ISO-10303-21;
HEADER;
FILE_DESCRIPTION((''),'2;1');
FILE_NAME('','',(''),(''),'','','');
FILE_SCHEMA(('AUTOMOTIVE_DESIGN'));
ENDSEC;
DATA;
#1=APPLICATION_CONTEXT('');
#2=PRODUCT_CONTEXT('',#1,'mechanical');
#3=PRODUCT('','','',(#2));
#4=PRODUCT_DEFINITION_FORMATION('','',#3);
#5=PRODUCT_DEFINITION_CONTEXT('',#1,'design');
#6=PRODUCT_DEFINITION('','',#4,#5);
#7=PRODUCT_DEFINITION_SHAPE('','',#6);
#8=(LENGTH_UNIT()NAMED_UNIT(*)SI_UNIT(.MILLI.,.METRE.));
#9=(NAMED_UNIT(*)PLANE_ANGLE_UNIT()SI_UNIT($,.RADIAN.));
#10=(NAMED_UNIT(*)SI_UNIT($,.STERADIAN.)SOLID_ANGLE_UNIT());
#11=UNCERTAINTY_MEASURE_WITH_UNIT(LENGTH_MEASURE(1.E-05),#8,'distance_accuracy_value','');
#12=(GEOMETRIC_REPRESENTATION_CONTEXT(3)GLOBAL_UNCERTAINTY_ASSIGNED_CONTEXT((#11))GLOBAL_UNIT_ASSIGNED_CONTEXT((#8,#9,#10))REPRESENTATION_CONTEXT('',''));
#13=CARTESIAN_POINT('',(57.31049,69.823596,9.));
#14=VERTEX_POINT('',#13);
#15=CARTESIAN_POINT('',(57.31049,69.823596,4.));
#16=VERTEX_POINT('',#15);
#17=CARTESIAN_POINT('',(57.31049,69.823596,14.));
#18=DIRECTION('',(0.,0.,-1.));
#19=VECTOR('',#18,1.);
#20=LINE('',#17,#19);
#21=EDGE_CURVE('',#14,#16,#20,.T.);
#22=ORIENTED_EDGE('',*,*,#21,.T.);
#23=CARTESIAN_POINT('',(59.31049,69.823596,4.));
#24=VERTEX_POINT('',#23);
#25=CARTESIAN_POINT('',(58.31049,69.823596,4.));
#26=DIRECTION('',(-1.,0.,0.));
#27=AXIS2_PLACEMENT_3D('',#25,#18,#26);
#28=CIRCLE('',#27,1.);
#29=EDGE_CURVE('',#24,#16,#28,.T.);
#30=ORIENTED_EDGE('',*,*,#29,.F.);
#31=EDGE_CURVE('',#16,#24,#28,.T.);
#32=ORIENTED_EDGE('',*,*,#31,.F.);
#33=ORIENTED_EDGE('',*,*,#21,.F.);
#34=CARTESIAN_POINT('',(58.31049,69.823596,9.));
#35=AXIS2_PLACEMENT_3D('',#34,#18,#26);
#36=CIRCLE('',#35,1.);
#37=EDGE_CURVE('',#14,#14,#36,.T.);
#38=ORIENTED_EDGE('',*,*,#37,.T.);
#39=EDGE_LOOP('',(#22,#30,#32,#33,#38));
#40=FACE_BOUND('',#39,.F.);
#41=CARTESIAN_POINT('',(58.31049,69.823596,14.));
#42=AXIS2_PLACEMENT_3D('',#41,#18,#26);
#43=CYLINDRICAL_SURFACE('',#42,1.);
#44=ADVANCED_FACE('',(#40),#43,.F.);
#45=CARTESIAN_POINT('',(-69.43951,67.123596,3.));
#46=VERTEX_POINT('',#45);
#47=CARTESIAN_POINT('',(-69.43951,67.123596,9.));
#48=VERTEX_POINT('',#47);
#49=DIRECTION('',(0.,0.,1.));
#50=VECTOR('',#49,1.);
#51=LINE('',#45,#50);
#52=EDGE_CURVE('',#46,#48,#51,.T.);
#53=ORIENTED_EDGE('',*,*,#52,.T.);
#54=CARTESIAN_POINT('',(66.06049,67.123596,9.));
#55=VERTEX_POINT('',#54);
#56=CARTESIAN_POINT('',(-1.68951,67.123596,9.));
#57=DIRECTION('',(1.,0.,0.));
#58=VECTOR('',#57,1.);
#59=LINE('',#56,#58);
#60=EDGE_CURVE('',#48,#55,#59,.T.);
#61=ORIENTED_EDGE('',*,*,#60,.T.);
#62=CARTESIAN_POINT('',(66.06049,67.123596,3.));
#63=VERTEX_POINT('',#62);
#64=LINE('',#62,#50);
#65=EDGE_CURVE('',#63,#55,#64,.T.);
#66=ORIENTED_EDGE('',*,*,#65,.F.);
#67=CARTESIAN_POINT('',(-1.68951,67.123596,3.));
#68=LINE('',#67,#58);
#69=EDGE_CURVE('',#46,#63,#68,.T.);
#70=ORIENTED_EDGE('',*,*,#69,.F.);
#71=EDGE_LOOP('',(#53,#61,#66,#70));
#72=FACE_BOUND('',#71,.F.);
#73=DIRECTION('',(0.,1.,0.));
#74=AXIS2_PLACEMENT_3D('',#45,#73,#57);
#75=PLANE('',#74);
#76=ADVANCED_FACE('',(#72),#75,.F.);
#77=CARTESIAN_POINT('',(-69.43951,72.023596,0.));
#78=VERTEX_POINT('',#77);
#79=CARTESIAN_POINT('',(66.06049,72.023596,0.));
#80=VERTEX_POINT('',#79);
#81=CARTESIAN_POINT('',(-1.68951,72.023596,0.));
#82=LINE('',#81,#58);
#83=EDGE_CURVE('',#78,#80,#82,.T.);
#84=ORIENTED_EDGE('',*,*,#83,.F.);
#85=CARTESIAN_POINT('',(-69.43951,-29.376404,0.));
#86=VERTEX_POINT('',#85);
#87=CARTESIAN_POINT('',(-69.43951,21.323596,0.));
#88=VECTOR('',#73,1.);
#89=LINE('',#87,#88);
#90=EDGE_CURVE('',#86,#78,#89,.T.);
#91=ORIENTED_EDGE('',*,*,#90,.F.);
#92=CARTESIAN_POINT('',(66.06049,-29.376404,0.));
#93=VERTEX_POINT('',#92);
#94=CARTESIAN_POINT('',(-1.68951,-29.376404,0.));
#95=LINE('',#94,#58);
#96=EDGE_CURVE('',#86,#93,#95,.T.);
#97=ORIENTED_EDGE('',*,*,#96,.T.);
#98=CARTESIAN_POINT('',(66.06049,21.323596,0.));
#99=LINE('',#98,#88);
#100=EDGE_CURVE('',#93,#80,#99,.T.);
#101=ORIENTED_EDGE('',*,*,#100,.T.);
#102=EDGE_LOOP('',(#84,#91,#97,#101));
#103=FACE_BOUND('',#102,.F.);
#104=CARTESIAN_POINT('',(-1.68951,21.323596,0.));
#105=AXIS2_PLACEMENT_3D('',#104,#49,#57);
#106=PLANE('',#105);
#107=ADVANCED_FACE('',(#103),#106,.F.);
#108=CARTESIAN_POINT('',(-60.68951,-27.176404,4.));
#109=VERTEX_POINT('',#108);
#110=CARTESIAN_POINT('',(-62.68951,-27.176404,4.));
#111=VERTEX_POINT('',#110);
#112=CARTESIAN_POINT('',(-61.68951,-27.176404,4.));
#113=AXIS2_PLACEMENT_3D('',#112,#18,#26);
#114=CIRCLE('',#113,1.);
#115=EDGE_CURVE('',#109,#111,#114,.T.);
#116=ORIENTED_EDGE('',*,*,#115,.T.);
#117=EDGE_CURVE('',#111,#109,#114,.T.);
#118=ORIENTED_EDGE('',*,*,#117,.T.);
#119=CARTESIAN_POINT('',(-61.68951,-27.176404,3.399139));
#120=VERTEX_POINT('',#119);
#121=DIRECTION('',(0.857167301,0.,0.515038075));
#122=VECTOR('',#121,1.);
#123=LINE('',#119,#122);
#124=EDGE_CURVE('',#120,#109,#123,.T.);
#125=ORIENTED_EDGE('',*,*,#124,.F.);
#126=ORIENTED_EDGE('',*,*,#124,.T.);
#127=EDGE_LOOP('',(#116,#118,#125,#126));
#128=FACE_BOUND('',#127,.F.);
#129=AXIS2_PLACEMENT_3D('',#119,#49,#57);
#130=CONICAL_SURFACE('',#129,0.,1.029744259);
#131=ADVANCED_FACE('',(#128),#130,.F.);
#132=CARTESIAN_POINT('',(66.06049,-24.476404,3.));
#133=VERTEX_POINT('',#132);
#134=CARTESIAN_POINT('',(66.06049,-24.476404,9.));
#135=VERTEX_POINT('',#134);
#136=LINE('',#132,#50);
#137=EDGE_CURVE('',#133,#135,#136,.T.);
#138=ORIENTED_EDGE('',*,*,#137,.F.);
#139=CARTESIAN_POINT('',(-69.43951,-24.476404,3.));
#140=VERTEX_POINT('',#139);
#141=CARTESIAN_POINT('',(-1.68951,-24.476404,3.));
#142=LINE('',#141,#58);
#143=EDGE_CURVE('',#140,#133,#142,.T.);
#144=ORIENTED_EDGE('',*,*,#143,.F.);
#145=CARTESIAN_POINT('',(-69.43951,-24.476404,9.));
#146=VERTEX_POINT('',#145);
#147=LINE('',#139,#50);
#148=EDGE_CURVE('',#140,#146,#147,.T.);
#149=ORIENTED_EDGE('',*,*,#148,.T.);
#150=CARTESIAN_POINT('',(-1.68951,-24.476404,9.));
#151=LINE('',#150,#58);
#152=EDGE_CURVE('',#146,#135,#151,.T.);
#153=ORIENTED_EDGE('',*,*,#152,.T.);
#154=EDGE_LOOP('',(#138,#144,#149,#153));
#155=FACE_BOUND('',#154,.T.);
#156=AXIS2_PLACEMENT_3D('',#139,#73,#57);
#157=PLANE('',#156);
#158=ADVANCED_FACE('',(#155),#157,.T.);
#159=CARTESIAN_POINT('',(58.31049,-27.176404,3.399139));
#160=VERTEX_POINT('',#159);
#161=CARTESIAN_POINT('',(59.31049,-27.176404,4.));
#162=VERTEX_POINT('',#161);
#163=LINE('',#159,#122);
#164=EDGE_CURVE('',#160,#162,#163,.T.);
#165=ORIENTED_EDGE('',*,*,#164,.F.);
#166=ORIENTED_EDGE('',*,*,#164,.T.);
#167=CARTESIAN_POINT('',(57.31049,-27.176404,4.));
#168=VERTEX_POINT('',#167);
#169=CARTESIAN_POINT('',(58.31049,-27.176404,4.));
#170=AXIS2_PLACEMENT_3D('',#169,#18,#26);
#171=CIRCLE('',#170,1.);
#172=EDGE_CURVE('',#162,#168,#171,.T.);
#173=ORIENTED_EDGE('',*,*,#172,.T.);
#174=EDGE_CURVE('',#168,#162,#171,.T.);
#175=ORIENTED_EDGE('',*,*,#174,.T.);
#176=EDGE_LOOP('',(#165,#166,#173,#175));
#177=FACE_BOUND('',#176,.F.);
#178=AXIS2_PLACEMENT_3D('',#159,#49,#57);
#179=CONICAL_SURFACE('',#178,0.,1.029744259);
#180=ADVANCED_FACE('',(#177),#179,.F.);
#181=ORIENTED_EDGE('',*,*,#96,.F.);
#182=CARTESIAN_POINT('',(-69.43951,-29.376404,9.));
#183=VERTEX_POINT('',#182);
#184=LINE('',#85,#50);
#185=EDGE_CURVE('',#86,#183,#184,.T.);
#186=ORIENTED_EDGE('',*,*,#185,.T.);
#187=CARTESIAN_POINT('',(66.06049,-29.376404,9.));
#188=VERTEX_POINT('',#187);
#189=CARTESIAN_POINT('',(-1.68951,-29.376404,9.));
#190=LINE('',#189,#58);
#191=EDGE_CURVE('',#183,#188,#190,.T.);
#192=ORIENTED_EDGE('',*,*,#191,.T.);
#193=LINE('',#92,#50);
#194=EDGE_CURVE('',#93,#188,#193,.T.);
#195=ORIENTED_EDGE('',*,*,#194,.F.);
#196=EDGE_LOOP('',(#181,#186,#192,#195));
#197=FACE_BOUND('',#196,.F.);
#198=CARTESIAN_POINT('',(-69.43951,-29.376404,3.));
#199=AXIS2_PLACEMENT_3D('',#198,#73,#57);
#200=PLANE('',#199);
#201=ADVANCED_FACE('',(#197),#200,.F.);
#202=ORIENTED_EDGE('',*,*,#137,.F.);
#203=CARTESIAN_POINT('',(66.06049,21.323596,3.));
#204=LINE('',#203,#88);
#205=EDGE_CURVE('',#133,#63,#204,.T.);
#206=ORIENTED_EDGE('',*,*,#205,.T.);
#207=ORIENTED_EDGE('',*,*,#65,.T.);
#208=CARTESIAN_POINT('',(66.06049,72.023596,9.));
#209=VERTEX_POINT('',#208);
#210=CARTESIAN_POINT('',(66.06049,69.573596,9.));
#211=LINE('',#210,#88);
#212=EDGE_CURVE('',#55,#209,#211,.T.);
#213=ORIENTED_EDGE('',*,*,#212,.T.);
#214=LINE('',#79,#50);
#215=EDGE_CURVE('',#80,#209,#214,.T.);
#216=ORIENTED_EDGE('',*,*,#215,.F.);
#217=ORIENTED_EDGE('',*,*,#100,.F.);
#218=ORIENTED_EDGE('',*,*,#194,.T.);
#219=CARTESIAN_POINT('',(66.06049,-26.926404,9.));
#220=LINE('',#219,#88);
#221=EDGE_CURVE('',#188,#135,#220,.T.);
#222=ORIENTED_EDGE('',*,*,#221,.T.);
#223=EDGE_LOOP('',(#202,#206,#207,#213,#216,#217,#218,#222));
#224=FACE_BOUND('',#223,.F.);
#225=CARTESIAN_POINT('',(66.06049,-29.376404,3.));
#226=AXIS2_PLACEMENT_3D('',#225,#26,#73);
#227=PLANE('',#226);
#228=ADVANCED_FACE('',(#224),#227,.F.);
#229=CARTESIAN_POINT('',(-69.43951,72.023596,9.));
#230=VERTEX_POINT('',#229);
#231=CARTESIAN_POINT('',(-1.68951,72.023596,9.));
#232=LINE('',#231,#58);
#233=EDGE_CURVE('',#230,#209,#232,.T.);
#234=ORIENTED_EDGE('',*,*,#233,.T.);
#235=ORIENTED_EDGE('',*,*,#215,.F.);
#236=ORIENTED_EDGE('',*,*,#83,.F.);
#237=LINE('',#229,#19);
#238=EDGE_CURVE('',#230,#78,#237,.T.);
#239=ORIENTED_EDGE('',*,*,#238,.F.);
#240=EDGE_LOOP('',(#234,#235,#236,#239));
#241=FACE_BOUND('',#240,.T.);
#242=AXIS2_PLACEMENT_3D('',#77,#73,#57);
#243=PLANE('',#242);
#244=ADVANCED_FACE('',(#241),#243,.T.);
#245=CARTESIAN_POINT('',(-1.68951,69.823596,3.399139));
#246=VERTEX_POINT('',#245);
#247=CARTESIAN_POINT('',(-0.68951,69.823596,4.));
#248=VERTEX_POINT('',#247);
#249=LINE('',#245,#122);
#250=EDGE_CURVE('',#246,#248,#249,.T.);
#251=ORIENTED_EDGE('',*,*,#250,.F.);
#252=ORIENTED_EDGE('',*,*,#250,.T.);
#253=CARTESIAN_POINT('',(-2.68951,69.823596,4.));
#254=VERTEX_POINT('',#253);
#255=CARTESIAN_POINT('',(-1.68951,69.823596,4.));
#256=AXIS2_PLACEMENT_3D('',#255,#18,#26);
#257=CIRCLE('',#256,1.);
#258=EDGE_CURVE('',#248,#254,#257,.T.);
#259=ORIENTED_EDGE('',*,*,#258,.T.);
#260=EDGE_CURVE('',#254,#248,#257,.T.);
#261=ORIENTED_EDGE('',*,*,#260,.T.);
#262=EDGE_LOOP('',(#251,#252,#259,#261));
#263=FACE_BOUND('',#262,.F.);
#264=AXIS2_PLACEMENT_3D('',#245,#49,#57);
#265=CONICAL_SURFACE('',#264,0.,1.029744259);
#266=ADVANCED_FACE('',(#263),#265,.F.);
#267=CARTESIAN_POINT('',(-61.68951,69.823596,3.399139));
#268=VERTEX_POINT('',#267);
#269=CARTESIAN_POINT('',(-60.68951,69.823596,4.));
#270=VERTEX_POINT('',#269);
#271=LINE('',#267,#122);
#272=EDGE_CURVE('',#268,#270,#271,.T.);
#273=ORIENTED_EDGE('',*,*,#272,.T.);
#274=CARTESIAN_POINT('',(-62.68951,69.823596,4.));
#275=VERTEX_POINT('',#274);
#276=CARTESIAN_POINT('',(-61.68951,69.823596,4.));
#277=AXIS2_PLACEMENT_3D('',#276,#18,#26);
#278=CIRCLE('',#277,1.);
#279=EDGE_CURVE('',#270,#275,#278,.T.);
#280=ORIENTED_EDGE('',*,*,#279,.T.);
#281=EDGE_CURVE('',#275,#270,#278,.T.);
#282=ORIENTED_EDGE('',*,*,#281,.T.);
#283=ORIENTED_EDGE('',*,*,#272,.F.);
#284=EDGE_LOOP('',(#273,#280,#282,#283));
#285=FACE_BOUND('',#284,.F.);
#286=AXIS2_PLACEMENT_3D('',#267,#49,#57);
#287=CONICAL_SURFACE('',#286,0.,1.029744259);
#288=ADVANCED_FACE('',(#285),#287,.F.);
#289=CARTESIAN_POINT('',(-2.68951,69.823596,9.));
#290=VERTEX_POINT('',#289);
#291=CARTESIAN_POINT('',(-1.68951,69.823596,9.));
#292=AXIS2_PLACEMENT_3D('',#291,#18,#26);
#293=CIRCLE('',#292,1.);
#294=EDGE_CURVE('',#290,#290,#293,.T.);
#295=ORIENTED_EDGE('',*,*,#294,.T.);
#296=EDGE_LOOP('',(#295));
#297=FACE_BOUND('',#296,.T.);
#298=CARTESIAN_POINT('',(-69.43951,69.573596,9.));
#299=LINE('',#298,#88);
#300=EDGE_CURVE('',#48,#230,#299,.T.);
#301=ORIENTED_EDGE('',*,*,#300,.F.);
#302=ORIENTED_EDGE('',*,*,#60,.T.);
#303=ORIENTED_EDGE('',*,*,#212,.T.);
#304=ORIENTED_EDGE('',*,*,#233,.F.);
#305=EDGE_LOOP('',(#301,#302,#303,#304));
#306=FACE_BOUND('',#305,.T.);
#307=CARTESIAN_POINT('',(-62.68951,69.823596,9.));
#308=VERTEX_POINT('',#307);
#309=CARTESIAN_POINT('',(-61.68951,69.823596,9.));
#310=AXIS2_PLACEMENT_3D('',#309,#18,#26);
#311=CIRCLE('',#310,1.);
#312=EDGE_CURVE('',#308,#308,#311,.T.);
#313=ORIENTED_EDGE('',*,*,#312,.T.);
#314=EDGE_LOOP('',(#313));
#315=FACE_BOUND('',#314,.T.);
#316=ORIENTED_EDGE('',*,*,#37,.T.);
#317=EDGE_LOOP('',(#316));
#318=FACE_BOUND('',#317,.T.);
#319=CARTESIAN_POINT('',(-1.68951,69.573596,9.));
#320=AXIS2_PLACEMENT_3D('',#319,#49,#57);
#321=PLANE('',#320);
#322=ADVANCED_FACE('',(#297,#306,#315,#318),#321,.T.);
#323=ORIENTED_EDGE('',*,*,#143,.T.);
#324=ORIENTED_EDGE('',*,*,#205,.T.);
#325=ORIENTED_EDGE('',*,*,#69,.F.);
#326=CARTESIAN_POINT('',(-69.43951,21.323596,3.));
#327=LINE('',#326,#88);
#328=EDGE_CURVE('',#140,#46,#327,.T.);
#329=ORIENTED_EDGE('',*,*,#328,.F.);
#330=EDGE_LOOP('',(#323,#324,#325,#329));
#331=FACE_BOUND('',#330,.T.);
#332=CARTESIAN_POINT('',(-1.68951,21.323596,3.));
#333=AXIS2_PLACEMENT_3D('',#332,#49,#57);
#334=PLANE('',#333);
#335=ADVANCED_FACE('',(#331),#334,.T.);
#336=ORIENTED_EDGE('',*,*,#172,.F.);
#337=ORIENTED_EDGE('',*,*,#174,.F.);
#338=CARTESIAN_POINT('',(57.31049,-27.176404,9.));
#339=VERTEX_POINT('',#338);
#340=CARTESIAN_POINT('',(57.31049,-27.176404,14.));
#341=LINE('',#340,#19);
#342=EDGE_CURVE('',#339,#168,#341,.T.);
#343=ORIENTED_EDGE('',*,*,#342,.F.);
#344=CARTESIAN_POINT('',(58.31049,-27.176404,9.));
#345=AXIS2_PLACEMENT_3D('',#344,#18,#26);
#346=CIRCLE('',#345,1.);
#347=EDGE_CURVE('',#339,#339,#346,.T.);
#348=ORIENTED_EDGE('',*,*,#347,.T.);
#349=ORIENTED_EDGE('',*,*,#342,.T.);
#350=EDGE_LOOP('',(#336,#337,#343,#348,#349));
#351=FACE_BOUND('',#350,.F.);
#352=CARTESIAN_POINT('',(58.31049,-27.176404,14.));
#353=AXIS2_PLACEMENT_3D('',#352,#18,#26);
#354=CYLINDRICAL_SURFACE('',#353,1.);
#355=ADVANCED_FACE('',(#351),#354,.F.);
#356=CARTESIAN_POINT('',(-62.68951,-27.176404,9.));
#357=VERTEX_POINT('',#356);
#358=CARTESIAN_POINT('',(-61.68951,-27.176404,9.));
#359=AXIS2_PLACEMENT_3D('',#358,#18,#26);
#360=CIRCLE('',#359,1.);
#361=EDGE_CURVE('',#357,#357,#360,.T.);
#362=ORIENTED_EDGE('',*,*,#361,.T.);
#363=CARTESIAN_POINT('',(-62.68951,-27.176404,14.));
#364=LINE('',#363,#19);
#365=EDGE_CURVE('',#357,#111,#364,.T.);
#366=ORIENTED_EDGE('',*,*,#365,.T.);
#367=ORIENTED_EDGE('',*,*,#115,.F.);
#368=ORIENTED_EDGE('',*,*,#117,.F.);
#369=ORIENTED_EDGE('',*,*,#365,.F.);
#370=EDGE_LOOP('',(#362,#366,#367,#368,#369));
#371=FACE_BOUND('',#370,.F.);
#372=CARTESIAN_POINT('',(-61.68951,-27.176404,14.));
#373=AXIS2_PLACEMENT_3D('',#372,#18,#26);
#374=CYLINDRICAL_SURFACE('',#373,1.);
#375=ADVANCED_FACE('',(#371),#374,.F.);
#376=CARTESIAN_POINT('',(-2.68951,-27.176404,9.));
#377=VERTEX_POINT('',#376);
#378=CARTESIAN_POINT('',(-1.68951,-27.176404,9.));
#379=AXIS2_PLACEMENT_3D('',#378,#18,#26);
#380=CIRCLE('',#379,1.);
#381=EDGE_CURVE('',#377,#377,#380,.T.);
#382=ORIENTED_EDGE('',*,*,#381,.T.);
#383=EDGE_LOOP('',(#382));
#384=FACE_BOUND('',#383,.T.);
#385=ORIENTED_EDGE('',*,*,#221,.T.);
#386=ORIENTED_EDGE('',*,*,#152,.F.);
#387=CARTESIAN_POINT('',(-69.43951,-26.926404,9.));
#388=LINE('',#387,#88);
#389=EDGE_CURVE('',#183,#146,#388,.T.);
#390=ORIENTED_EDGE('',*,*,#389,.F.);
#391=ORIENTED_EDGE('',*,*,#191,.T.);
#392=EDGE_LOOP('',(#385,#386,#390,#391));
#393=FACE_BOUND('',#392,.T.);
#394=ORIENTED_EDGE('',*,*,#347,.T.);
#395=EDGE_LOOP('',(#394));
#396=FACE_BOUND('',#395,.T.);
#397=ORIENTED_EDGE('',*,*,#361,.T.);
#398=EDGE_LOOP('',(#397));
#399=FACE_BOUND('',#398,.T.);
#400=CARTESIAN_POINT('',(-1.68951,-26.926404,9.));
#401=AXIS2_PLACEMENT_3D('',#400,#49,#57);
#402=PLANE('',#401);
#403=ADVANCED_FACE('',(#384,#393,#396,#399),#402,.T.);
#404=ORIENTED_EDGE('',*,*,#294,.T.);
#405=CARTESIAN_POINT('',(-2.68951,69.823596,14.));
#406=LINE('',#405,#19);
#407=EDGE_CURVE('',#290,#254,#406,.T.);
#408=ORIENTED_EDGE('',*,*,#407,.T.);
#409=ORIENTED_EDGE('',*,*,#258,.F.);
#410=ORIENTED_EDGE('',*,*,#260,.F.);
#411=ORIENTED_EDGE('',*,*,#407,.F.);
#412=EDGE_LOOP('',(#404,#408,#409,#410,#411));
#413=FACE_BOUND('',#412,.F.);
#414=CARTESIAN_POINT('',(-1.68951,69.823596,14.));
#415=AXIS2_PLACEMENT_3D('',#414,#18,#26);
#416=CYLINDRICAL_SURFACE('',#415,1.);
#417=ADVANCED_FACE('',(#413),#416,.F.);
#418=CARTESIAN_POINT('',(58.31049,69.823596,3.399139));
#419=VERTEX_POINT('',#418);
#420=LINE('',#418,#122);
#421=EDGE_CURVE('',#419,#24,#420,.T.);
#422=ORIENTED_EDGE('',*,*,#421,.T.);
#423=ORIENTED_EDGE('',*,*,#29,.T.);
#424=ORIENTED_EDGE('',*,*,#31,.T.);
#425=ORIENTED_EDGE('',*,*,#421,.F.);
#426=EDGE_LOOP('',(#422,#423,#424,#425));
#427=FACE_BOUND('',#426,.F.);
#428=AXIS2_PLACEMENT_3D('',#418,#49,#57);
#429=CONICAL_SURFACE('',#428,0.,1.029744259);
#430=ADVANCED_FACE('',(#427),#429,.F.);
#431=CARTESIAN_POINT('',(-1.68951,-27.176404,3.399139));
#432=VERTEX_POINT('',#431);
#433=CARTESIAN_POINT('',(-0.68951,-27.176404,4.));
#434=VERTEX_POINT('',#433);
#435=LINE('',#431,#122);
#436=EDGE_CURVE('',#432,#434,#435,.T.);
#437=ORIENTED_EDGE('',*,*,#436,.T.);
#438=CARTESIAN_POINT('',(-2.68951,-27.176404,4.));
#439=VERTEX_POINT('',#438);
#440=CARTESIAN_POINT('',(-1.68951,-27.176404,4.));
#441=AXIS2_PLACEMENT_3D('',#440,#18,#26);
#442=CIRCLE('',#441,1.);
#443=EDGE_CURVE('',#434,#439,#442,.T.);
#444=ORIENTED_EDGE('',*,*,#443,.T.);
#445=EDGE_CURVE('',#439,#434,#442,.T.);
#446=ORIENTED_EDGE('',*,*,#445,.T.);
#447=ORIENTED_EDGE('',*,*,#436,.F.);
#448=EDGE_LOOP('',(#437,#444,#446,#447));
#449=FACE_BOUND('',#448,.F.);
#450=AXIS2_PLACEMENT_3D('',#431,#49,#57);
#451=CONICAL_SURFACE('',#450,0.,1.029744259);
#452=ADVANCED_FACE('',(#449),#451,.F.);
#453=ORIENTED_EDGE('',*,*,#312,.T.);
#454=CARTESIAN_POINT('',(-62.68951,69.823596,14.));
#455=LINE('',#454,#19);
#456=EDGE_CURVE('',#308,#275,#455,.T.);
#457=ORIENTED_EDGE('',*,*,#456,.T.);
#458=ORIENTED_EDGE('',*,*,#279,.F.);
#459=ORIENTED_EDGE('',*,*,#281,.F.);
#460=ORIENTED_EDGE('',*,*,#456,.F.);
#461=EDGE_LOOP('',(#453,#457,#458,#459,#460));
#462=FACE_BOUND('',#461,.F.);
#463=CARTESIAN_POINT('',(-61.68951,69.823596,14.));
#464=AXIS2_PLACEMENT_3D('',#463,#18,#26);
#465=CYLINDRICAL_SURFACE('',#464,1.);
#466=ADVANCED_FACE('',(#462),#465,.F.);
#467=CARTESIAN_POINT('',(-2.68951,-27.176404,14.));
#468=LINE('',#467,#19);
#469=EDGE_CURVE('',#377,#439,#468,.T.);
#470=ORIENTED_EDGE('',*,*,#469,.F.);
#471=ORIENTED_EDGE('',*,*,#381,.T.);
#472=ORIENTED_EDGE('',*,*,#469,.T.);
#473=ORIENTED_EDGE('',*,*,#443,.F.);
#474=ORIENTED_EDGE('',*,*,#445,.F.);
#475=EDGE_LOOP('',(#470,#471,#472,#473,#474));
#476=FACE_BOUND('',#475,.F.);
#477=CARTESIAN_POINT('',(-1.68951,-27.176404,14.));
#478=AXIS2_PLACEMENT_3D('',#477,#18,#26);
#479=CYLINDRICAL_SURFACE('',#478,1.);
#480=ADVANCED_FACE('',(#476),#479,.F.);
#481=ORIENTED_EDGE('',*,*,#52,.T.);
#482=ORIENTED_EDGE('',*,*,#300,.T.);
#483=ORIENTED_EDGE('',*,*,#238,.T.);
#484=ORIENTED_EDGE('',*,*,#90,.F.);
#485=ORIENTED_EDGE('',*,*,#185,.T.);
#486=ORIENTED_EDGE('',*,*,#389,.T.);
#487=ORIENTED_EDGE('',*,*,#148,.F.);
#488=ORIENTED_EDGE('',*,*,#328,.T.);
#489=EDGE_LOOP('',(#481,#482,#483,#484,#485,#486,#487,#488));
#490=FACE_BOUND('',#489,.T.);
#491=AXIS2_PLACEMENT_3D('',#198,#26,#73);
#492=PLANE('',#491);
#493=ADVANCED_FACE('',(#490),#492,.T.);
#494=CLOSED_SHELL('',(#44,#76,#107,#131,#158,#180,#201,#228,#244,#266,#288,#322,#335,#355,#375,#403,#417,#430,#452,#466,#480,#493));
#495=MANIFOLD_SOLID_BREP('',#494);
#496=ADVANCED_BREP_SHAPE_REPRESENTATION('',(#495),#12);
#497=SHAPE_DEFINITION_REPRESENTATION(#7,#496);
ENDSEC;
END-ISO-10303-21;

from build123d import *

# Parameters (mm, degrees)
F0_W     = 135.5
F0_H     = 101.4
F1_DEPTH = 3
F2_W     = 135.5
F2_H     = 4.9
F3_DEPTH = 6
F4_DEPTH = 6
F6_D     = 2
F6_DEPTH = 5
F6_TIP   = 0.600860619


with BuildPart() as f1:
    # F0 (on Top) → F1 (new body)
    with BuildSketch(Plane.XY):
        with Locations((-1.68951042, 21.3235962429)):
            Rectangle(F0_W, F0_H)
    extrude(amount=F1_DEPTH)

    # F2 (on face) → F3 (join)
    with BuildSketch(Plane.XY.offset(3)):
        with Locations((-1.68951042, -26.9264037571)):
            Rectangle(F2_W, F2_H)
    extrude(amount=F3_DEPTH)

    # F2 (on face) → F4 (join)
    with BuildSketch(Plane.XY.offset(3)):
        with Locations((-1.68951042, -26.9264037571)):
            Rectangle(F2_W, F2_H)
        with Locations((-1.68951042, 69.5735962429)):
            Rectangle(F2_W, F2_H)
    extrude(amount=F4_DEPTH)

    # F6
    with Locations(Plane.XY.offset(9)):
        with Locations((-61.68951042, 69.8235962429), (-1.68951042, 69.8235962429), (58.31048958, 69.8235962429), (58.31048958, -27.1764037571), (-1.68951042, -27.1764037571), (-61.68951042, -27.1764037571)):
            Hole(F6_D / 2, depth=F6_DEPTH)
            with Locations((0, 0, -(F6_DEPTH + F6_TIP / 2))):  # 118° drill point
                Cone(0, F6_D / 2, F6_TIP, mode=Mode.SUBTRACT)


solid = f1.part
